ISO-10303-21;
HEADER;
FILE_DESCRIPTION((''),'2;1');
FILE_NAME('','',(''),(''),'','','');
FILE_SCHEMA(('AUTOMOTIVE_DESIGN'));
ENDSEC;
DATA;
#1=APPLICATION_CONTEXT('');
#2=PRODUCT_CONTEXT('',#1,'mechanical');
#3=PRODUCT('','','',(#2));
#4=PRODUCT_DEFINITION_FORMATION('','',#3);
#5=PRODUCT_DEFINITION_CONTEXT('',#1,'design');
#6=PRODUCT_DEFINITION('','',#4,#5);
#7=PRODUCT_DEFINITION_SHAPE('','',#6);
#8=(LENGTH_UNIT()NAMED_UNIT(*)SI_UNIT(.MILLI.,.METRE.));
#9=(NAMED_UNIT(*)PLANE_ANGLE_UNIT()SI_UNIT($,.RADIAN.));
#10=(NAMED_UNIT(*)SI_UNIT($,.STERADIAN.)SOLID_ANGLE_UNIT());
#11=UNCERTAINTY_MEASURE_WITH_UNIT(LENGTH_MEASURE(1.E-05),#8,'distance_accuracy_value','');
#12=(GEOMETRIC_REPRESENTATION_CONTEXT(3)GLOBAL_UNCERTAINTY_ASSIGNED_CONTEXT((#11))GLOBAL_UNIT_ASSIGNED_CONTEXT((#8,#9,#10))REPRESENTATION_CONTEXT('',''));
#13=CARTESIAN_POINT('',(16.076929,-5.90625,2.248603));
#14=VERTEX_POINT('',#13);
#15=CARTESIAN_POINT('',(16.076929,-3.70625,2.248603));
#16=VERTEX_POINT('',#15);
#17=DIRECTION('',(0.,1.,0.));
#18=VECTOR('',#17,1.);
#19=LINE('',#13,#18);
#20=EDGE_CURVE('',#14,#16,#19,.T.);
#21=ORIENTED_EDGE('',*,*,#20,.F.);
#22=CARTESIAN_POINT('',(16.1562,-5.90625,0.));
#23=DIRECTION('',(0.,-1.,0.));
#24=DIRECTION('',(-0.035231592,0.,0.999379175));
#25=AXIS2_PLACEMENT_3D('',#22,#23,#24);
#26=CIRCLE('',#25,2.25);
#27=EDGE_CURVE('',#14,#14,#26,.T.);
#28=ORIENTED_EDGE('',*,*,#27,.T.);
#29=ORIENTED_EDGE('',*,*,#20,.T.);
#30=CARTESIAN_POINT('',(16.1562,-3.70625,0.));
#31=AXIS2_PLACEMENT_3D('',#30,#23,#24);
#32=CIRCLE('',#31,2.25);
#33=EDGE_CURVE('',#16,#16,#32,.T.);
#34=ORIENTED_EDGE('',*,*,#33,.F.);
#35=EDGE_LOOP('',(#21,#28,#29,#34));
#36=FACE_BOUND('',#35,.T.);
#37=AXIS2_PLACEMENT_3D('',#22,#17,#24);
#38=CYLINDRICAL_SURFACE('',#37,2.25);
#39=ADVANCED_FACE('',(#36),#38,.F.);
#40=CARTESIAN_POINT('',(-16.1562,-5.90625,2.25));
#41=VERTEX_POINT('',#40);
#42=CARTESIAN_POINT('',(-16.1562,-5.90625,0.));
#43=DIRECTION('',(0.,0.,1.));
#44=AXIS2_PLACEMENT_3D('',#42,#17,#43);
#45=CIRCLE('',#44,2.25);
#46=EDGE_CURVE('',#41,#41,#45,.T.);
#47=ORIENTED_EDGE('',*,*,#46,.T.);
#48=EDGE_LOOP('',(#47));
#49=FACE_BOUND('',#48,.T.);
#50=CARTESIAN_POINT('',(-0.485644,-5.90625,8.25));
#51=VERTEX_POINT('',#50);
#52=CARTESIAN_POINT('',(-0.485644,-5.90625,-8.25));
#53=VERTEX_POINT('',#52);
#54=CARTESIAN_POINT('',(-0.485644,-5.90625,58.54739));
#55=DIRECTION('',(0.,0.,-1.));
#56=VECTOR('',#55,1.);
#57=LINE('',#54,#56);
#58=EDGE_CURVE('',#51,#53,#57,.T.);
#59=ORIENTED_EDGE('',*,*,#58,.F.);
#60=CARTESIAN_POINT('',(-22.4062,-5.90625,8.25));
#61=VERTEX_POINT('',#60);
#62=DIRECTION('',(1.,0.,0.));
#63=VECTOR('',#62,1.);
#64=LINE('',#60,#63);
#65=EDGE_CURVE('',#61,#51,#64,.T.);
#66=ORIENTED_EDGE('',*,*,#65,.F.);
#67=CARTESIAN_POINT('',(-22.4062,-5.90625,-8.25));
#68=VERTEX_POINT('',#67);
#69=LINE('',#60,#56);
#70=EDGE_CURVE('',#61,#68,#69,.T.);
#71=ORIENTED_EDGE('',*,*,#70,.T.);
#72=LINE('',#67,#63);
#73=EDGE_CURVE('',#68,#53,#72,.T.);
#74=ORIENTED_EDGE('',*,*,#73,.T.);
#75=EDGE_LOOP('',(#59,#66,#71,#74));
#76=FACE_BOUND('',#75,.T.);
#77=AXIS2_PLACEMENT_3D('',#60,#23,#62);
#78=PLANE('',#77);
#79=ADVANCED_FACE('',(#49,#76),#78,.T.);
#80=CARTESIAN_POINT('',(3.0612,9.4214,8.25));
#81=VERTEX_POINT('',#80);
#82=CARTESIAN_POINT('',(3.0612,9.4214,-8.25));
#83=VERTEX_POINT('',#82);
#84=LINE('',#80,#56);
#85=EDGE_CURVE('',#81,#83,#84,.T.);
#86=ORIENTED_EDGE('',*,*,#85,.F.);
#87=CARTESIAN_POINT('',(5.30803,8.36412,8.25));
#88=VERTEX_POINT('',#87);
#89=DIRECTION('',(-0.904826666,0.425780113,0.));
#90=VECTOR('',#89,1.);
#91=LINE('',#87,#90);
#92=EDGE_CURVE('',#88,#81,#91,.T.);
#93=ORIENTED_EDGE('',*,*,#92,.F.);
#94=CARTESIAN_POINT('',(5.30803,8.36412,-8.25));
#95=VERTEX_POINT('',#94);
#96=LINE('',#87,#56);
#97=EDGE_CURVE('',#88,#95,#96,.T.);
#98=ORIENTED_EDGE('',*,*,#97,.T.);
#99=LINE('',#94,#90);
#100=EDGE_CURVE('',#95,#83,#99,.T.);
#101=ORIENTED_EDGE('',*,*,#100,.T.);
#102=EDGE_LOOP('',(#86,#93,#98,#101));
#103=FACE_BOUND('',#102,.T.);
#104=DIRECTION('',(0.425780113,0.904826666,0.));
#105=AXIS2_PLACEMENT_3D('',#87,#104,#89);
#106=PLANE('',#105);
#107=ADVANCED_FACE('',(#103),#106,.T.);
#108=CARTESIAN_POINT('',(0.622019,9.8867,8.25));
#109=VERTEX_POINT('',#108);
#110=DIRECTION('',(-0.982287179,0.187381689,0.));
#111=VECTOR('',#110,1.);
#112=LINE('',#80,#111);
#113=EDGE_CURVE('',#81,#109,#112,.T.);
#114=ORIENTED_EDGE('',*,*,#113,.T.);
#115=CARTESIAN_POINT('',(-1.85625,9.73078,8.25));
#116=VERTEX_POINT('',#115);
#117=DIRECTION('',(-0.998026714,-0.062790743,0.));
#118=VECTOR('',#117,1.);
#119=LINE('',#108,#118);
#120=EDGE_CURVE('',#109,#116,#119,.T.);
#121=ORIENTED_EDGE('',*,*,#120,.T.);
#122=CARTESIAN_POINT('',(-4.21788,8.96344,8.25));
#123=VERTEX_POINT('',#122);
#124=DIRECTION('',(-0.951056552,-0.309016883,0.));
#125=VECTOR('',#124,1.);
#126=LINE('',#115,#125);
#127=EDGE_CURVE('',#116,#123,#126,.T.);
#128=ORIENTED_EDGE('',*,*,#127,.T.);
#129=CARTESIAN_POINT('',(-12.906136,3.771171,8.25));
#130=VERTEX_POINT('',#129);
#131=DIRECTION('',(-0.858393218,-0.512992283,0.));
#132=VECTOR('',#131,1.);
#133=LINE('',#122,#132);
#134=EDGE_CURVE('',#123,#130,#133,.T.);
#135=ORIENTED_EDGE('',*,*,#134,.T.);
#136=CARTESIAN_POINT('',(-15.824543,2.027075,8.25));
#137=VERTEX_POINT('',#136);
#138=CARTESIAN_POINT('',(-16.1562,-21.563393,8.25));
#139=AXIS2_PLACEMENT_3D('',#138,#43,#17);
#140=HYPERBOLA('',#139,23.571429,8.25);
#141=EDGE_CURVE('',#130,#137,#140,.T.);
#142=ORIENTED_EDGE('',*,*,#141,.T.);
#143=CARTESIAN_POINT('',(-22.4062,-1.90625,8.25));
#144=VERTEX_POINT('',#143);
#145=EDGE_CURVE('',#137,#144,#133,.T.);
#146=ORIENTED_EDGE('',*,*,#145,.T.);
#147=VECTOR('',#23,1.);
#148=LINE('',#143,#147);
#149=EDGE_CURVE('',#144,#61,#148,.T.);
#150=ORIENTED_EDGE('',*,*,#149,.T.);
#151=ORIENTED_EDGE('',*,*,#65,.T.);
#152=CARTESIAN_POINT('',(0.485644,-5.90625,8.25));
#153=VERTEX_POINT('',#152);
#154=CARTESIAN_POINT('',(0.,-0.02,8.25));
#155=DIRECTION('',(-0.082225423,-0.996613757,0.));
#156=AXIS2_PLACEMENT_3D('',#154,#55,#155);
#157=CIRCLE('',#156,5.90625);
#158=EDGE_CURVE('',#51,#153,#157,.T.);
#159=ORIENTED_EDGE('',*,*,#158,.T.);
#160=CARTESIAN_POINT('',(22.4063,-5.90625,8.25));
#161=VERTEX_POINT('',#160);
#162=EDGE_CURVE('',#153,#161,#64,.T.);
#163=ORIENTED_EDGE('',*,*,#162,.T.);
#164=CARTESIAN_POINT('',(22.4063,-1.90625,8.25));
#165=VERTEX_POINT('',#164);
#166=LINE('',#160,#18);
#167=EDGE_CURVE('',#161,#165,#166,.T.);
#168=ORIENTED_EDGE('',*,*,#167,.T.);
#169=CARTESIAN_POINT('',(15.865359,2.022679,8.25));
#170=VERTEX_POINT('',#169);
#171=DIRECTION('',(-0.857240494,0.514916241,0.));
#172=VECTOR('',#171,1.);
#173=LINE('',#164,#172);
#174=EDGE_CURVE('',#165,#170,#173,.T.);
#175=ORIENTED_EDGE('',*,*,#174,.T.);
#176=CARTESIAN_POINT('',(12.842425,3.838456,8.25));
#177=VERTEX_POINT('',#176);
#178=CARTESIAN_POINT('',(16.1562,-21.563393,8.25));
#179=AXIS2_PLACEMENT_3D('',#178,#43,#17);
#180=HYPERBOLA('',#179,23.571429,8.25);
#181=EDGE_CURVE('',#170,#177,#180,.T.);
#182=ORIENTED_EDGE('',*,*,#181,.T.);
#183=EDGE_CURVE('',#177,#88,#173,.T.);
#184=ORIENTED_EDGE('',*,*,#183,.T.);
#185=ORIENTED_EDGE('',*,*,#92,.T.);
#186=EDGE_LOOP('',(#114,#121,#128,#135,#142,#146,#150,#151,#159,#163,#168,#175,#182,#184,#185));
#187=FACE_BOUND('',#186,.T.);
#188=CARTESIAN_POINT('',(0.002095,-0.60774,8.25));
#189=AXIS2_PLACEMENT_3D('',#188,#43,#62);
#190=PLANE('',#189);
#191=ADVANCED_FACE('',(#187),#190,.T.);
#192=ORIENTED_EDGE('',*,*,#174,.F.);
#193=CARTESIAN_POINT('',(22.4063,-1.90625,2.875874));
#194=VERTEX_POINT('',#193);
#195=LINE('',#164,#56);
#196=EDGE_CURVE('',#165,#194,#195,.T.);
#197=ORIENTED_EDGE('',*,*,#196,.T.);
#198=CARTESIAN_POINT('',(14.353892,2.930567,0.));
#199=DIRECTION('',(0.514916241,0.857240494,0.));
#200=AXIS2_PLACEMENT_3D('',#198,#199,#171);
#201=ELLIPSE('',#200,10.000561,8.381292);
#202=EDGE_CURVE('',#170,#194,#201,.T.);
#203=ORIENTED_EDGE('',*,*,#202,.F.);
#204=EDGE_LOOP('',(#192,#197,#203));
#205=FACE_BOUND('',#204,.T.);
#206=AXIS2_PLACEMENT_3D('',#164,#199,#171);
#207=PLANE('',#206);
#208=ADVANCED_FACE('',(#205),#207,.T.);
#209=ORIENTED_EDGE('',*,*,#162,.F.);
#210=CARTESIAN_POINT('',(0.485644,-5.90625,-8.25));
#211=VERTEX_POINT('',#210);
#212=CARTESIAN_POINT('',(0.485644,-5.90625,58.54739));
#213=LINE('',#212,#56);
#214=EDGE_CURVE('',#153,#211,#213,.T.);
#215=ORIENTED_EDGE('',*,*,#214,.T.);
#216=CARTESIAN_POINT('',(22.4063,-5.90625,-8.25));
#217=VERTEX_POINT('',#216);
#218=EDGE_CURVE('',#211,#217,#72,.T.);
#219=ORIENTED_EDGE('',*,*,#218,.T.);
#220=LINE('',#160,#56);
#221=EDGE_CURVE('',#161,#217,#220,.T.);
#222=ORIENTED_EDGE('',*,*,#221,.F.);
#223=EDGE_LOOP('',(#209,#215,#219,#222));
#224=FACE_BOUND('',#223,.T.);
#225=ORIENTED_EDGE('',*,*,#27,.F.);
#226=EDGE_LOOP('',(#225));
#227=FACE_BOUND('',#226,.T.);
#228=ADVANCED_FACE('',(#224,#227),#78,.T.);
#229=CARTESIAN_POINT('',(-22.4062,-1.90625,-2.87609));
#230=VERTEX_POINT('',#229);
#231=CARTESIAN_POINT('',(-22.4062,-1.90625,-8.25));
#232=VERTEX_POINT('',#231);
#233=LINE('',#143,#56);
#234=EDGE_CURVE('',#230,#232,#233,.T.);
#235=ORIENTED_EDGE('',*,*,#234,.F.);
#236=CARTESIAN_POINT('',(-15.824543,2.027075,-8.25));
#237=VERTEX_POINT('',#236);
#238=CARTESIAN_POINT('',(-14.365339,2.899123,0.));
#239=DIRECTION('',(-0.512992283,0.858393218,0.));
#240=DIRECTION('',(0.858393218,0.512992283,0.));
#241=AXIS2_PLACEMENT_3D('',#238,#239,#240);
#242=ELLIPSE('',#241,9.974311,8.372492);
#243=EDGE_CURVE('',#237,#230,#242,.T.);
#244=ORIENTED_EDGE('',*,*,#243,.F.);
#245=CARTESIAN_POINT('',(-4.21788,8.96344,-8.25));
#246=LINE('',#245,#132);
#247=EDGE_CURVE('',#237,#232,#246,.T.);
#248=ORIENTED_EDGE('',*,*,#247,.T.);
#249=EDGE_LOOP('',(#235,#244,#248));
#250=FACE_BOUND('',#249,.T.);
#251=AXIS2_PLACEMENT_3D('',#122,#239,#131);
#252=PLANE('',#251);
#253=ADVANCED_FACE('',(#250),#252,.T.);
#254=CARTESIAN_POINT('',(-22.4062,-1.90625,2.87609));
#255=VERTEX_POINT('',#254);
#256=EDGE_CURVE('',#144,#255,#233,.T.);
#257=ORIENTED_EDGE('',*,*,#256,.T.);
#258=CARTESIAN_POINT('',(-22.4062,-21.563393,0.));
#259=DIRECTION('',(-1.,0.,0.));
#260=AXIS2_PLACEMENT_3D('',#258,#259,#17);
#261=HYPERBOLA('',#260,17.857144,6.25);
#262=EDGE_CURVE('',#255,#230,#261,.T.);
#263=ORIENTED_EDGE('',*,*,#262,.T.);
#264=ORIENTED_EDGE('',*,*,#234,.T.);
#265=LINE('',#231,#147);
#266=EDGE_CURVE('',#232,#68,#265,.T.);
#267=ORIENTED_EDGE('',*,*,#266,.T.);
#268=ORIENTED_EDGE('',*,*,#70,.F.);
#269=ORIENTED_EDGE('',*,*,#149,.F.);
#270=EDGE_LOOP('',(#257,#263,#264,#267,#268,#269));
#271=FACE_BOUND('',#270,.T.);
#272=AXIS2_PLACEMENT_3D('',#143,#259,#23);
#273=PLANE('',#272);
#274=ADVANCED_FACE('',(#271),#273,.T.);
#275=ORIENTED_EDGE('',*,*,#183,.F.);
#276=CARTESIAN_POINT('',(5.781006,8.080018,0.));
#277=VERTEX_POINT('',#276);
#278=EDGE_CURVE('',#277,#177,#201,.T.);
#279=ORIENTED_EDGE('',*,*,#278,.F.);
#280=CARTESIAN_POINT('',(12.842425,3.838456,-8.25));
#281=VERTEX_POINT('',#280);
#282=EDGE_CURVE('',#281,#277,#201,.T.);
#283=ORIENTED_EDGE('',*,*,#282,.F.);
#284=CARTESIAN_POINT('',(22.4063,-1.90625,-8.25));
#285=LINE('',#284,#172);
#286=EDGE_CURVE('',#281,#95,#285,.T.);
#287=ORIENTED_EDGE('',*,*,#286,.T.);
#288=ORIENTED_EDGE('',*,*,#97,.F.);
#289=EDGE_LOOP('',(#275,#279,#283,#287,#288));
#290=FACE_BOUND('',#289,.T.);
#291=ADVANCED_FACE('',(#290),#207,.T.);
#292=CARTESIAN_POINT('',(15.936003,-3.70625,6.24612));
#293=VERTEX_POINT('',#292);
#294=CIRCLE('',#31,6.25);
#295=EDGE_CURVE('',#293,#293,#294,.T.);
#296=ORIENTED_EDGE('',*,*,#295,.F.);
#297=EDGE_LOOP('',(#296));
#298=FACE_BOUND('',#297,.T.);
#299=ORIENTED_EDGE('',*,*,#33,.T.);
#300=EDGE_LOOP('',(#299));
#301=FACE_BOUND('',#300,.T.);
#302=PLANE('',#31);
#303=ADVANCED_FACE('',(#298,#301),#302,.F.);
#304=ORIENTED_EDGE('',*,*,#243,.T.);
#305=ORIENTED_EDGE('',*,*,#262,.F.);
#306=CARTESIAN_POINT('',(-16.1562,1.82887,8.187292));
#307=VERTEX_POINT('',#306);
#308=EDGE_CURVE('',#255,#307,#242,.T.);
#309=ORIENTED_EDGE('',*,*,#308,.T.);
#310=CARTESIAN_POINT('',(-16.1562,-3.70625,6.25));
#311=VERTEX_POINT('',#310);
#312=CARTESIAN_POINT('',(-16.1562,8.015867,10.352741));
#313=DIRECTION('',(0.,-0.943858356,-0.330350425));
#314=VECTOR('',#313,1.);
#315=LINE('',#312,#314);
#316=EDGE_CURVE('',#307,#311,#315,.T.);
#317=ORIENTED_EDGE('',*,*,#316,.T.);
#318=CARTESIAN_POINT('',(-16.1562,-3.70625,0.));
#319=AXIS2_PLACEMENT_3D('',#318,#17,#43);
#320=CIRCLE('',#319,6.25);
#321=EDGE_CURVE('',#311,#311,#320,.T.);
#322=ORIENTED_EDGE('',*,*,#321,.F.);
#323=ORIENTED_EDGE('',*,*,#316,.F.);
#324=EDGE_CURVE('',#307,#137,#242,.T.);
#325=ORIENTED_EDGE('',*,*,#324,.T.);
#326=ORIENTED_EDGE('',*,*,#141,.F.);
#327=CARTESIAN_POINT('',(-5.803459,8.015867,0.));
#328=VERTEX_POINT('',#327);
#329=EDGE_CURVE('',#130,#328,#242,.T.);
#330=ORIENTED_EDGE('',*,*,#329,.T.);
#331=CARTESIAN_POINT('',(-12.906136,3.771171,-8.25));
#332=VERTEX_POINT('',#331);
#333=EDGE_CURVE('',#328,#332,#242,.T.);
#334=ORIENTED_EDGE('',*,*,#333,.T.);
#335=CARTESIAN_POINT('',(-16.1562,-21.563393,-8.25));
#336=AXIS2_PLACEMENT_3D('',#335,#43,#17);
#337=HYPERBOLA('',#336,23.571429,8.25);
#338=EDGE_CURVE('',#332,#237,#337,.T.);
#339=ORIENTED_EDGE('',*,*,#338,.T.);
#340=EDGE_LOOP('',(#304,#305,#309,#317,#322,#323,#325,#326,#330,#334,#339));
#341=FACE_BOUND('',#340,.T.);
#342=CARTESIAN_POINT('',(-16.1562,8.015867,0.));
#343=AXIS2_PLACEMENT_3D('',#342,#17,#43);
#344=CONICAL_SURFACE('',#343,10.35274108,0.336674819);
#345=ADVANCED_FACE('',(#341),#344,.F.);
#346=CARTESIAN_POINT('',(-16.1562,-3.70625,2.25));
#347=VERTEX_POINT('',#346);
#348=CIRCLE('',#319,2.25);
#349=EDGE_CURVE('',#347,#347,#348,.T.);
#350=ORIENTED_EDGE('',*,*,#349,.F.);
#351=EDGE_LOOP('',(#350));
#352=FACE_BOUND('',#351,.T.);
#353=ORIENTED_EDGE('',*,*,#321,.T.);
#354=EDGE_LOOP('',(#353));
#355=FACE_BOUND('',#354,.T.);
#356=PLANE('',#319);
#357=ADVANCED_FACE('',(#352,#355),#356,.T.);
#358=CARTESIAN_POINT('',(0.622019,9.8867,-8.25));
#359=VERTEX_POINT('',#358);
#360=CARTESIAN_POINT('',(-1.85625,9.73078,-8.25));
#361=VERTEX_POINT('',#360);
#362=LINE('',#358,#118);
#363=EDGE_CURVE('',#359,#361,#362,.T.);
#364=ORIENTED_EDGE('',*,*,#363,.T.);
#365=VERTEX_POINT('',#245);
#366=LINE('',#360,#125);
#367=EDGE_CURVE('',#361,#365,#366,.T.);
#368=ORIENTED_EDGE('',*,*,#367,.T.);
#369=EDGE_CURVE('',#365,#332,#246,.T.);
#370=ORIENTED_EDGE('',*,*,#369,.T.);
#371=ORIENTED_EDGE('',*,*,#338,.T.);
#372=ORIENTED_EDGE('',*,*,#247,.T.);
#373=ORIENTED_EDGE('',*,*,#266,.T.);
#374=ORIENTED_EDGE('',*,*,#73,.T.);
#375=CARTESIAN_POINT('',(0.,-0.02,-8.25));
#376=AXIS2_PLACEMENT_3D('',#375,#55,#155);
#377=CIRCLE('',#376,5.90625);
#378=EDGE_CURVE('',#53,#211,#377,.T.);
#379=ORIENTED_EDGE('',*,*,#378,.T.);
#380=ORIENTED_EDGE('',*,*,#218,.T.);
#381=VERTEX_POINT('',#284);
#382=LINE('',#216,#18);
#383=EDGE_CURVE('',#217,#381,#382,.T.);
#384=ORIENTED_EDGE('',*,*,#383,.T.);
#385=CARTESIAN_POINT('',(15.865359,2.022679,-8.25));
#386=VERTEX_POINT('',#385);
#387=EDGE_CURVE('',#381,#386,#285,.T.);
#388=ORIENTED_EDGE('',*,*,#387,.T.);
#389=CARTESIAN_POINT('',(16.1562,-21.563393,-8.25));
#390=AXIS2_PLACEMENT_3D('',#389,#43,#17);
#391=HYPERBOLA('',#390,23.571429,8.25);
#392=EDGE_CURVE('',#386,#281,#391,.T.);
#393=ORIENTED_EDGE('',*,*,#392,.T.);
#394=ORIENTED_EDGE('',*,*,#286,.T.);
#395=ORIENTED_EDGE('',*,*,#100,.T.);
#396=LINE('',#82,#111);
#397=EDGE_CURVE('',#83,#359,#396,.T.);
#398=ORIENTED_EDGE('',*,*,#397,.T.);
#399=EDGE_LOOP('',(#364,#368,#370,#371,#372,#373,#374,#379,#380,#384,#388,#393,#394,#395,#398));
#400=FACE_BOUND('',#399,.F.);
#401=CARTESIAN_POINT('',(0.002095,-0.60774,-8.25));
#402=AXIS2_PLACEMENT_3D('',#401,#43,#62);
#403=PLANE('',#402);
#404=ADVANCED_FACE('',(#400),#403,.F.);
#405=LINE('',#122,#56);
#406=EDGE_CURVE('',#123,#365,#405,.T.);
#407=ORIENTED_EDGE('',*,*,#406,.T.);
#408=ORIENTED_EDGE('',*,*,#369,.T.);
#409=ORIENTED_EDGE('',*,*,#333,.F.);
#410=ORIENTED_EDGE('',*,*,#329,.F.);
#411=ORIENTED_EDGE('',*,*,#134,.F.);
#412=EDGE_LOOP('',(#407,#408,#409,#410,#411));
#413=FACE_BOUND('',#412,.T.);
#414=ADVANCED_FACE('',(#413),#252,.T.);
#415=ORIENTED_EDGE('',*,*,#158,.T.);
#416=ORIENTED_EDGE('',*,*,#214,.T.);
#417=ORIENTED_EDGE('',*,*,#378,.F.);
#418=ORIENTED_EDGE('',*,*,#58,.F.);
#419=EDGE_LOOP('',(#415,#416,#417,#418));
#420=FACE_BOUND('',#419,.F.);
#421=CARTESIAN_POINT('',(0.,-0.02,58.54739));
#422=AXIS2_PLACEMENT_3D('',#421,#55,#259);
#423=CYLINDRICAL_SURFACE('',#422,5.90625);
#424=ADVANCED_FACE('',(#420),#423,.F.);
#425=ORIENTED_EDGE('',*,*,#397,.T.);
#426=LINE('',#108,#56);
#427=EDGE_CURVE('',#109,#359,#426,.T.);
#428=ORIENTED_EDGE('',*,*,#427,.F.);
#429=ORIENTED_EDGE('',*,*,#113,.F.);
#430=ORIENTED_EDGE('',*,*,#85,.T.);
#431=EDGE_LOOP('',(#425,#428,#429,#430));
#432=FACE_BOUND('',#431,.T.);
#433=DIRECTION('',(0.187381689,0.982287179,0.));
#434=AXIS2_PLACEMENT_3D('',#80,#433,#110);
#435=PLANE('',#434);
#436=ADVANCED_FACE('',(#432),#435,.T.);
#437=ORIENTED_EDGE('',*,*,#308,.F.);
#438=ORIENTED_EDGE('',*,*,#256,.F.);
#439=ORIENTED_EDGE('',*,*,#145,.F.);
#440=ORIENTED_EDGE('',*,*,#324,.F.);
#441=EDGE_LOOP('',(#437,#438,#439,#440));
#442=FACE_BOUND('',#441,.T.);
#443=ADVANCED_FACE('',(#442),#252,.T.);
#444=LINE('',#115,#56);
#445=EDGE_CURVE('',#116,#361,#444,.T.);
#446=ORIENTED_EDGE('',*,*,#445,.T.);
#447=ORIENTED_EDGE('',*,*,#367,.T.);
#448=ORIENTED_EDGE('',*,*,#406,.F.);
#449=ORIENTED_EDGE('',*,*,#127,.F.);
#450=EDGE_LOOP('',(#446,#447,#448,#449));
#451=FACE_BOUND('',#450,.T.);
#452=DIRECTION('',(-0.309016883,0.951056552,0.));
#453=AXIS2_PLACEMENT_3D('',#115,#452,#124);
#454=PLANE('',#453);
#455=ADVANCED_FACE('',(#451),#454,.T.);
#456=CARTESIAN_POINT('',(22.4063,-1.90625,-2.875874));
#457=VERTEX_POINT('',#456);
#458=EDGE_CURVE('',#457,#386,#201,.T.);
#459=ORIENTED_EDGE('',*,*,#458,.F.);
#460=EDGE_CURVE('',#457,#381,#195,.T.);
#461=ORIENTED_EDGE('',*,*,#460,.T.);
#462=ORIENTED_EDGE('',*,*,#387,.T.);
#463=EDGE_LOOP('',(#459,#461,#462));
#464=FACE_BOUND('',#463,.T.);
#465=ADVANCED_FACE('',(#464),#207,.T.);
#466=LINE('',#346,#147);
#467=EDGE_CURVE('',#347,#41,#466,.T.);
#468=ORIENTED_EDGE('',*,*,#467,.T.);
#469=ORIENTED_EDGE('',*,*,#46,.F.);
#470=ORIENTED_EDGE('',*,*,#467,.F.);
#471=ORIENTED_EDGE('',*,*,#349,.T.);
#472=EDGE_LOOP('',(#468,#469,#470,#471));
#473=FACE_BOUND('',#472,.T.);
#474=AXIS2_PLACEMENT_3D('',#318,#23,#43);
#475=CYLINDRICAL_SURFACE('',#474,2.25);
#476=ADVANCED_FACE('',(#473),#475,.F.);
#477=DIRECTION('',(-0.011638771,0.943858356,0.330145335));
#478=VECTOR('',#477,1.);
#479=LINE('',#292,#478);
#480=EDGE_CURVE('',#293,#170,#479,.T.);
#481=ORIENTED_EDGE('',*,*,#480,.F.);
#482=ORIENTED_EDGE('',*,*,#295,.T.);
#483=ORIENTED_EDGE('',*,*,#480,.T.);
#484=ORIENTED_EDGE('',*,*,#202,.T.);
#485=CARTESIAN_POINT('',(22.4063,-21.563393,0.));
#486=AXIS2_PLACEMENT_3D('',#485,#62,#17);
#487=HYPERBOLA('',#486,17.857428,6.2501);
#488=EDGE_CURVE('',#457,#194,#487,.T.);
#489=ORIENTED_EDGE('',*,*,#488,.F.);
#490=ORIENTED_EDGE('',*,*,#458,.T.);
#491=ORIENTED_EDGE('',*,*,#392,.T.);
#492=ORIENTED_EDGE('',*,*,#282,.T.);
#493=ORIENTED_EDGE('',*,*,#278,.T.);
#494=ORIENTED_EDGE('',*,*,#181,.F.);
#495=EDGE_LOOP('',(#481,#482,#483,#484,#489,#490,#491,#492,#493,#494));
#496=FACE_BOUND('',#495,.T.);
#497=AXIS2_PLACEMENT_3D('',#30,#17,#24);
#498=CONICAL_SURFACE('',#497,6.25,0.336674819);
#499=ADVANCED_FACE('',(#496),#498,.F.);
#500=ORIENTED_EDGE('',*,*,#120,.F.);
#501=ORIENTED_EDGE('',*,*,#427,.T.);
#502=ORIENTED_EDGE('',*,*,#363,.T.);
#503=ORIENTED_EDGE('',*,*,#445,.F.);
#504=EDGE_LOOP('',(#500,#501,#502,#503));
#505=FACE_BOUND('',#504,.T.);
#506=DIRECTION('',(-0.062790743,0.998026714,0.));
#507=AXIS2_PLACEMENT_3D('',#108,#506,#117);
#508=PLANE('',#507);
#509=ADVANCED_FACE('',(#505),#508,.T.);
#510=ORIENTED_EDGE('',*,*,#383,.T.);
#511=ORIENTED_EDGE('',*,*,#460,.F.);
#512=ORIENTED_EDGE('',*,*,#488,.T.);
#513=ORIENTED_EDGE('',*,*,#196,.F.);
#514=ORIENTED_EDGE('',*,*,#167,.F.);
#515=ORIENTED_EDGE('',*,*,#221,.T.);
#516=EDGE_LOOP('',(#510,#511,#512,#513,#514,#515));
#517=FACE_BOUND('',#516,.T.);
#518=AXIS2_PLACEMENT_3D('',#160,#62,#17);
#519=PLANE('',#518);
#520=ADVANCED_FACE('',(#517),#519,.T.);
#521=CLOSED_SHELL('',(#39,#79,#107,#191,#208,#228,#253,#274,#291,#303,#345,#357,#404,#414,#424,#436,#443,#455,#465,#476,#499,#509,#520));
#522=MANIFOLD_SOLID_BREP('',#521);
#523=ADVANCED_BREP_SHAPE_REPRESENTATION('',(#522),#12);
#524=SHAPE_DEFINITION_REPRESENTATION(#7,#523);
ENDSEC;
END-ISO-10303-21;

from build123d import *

# Parameters (mm, degrees)
BOSS_EXTRUDE1_DEPTH   = 16.5
M10_CLEARANCE_HOLE1_D = 11.8125


with BuildPart() as part:
    # Sketch1 → Boss-Extrude1 (new body)
    with BuildSketch(Plane.XY.offset(8.25)):
        Polygon((22.406299796, -1.906250123), (5.308030128, 8.36411953), (3.061199903, 9.42140007), (0.622018993, 9.886699677), (-1.856250048, 9.730779648), (-4.217879772, 8.963439941), (-22.406200409, -1.90625), (-22.406200409, -5.90625), (22.406299796, -5.90625), align=None)
    extrude(amount=-BOSS_EXTRUDE1_DEPTH)

    # Sketch2 → Cut-Revolve1 (revolve, cut)
    with BuildSketch(Plane.XY, mode=Mode.PRIVATE) as cut_revolve1_sk:
        Polygon((26.531393942, 8.080018406), (16.1562, 8.080018406), (16.1562, -5.90625), (18.4062, -5.90625), (18.4062, -3.70625), (22.4062, -3.70625), align=None)
    revolve(cut_revolve1_sk.sketch.rotate(Axis((16.1562, 8.080018406, 0), (0, -1, 0)), 92.019039349), axis=Axis((16.1562, 8.080018406, 0), (0, -1, 0)), mode=Mode.SUBTRACT)

    # Sketch3 → Cut-Revolve2 (revolve, cut)
    with BuildSketch(Plane(origin=(0, 0, 0), x_dir=(-1, 0, 0), z_dir=(0, 0, -1)), mode=Mode.PRIVATE) as cut_revolve2_sk:
        Polygon((13.9062, -5.90625), (16.1562, -5.90625), (16.1562, 8.015867372), (5.80345892, 8.015867372), (9.9062, -3.70625), (13.9062, -3.70625), align=None)
    revolve(cut_revolve2_sk.sketch.rotate(Axis((-16.1562, -5.90625, 0), (0, 1, 0)), 270), axis=Axis((-16.1562, -5.90625, 0), (0, 1, 0)), mode=Mode.SUBTRACT)

    # M10 Clearance Hole1 (through all)
    with Locations(Plane.XY.offset(8.25)):
        with Locations((0, -0.02)):
            Hole(M10_CLEARANCE_HOLE1_D / 2)


solid = part.part
